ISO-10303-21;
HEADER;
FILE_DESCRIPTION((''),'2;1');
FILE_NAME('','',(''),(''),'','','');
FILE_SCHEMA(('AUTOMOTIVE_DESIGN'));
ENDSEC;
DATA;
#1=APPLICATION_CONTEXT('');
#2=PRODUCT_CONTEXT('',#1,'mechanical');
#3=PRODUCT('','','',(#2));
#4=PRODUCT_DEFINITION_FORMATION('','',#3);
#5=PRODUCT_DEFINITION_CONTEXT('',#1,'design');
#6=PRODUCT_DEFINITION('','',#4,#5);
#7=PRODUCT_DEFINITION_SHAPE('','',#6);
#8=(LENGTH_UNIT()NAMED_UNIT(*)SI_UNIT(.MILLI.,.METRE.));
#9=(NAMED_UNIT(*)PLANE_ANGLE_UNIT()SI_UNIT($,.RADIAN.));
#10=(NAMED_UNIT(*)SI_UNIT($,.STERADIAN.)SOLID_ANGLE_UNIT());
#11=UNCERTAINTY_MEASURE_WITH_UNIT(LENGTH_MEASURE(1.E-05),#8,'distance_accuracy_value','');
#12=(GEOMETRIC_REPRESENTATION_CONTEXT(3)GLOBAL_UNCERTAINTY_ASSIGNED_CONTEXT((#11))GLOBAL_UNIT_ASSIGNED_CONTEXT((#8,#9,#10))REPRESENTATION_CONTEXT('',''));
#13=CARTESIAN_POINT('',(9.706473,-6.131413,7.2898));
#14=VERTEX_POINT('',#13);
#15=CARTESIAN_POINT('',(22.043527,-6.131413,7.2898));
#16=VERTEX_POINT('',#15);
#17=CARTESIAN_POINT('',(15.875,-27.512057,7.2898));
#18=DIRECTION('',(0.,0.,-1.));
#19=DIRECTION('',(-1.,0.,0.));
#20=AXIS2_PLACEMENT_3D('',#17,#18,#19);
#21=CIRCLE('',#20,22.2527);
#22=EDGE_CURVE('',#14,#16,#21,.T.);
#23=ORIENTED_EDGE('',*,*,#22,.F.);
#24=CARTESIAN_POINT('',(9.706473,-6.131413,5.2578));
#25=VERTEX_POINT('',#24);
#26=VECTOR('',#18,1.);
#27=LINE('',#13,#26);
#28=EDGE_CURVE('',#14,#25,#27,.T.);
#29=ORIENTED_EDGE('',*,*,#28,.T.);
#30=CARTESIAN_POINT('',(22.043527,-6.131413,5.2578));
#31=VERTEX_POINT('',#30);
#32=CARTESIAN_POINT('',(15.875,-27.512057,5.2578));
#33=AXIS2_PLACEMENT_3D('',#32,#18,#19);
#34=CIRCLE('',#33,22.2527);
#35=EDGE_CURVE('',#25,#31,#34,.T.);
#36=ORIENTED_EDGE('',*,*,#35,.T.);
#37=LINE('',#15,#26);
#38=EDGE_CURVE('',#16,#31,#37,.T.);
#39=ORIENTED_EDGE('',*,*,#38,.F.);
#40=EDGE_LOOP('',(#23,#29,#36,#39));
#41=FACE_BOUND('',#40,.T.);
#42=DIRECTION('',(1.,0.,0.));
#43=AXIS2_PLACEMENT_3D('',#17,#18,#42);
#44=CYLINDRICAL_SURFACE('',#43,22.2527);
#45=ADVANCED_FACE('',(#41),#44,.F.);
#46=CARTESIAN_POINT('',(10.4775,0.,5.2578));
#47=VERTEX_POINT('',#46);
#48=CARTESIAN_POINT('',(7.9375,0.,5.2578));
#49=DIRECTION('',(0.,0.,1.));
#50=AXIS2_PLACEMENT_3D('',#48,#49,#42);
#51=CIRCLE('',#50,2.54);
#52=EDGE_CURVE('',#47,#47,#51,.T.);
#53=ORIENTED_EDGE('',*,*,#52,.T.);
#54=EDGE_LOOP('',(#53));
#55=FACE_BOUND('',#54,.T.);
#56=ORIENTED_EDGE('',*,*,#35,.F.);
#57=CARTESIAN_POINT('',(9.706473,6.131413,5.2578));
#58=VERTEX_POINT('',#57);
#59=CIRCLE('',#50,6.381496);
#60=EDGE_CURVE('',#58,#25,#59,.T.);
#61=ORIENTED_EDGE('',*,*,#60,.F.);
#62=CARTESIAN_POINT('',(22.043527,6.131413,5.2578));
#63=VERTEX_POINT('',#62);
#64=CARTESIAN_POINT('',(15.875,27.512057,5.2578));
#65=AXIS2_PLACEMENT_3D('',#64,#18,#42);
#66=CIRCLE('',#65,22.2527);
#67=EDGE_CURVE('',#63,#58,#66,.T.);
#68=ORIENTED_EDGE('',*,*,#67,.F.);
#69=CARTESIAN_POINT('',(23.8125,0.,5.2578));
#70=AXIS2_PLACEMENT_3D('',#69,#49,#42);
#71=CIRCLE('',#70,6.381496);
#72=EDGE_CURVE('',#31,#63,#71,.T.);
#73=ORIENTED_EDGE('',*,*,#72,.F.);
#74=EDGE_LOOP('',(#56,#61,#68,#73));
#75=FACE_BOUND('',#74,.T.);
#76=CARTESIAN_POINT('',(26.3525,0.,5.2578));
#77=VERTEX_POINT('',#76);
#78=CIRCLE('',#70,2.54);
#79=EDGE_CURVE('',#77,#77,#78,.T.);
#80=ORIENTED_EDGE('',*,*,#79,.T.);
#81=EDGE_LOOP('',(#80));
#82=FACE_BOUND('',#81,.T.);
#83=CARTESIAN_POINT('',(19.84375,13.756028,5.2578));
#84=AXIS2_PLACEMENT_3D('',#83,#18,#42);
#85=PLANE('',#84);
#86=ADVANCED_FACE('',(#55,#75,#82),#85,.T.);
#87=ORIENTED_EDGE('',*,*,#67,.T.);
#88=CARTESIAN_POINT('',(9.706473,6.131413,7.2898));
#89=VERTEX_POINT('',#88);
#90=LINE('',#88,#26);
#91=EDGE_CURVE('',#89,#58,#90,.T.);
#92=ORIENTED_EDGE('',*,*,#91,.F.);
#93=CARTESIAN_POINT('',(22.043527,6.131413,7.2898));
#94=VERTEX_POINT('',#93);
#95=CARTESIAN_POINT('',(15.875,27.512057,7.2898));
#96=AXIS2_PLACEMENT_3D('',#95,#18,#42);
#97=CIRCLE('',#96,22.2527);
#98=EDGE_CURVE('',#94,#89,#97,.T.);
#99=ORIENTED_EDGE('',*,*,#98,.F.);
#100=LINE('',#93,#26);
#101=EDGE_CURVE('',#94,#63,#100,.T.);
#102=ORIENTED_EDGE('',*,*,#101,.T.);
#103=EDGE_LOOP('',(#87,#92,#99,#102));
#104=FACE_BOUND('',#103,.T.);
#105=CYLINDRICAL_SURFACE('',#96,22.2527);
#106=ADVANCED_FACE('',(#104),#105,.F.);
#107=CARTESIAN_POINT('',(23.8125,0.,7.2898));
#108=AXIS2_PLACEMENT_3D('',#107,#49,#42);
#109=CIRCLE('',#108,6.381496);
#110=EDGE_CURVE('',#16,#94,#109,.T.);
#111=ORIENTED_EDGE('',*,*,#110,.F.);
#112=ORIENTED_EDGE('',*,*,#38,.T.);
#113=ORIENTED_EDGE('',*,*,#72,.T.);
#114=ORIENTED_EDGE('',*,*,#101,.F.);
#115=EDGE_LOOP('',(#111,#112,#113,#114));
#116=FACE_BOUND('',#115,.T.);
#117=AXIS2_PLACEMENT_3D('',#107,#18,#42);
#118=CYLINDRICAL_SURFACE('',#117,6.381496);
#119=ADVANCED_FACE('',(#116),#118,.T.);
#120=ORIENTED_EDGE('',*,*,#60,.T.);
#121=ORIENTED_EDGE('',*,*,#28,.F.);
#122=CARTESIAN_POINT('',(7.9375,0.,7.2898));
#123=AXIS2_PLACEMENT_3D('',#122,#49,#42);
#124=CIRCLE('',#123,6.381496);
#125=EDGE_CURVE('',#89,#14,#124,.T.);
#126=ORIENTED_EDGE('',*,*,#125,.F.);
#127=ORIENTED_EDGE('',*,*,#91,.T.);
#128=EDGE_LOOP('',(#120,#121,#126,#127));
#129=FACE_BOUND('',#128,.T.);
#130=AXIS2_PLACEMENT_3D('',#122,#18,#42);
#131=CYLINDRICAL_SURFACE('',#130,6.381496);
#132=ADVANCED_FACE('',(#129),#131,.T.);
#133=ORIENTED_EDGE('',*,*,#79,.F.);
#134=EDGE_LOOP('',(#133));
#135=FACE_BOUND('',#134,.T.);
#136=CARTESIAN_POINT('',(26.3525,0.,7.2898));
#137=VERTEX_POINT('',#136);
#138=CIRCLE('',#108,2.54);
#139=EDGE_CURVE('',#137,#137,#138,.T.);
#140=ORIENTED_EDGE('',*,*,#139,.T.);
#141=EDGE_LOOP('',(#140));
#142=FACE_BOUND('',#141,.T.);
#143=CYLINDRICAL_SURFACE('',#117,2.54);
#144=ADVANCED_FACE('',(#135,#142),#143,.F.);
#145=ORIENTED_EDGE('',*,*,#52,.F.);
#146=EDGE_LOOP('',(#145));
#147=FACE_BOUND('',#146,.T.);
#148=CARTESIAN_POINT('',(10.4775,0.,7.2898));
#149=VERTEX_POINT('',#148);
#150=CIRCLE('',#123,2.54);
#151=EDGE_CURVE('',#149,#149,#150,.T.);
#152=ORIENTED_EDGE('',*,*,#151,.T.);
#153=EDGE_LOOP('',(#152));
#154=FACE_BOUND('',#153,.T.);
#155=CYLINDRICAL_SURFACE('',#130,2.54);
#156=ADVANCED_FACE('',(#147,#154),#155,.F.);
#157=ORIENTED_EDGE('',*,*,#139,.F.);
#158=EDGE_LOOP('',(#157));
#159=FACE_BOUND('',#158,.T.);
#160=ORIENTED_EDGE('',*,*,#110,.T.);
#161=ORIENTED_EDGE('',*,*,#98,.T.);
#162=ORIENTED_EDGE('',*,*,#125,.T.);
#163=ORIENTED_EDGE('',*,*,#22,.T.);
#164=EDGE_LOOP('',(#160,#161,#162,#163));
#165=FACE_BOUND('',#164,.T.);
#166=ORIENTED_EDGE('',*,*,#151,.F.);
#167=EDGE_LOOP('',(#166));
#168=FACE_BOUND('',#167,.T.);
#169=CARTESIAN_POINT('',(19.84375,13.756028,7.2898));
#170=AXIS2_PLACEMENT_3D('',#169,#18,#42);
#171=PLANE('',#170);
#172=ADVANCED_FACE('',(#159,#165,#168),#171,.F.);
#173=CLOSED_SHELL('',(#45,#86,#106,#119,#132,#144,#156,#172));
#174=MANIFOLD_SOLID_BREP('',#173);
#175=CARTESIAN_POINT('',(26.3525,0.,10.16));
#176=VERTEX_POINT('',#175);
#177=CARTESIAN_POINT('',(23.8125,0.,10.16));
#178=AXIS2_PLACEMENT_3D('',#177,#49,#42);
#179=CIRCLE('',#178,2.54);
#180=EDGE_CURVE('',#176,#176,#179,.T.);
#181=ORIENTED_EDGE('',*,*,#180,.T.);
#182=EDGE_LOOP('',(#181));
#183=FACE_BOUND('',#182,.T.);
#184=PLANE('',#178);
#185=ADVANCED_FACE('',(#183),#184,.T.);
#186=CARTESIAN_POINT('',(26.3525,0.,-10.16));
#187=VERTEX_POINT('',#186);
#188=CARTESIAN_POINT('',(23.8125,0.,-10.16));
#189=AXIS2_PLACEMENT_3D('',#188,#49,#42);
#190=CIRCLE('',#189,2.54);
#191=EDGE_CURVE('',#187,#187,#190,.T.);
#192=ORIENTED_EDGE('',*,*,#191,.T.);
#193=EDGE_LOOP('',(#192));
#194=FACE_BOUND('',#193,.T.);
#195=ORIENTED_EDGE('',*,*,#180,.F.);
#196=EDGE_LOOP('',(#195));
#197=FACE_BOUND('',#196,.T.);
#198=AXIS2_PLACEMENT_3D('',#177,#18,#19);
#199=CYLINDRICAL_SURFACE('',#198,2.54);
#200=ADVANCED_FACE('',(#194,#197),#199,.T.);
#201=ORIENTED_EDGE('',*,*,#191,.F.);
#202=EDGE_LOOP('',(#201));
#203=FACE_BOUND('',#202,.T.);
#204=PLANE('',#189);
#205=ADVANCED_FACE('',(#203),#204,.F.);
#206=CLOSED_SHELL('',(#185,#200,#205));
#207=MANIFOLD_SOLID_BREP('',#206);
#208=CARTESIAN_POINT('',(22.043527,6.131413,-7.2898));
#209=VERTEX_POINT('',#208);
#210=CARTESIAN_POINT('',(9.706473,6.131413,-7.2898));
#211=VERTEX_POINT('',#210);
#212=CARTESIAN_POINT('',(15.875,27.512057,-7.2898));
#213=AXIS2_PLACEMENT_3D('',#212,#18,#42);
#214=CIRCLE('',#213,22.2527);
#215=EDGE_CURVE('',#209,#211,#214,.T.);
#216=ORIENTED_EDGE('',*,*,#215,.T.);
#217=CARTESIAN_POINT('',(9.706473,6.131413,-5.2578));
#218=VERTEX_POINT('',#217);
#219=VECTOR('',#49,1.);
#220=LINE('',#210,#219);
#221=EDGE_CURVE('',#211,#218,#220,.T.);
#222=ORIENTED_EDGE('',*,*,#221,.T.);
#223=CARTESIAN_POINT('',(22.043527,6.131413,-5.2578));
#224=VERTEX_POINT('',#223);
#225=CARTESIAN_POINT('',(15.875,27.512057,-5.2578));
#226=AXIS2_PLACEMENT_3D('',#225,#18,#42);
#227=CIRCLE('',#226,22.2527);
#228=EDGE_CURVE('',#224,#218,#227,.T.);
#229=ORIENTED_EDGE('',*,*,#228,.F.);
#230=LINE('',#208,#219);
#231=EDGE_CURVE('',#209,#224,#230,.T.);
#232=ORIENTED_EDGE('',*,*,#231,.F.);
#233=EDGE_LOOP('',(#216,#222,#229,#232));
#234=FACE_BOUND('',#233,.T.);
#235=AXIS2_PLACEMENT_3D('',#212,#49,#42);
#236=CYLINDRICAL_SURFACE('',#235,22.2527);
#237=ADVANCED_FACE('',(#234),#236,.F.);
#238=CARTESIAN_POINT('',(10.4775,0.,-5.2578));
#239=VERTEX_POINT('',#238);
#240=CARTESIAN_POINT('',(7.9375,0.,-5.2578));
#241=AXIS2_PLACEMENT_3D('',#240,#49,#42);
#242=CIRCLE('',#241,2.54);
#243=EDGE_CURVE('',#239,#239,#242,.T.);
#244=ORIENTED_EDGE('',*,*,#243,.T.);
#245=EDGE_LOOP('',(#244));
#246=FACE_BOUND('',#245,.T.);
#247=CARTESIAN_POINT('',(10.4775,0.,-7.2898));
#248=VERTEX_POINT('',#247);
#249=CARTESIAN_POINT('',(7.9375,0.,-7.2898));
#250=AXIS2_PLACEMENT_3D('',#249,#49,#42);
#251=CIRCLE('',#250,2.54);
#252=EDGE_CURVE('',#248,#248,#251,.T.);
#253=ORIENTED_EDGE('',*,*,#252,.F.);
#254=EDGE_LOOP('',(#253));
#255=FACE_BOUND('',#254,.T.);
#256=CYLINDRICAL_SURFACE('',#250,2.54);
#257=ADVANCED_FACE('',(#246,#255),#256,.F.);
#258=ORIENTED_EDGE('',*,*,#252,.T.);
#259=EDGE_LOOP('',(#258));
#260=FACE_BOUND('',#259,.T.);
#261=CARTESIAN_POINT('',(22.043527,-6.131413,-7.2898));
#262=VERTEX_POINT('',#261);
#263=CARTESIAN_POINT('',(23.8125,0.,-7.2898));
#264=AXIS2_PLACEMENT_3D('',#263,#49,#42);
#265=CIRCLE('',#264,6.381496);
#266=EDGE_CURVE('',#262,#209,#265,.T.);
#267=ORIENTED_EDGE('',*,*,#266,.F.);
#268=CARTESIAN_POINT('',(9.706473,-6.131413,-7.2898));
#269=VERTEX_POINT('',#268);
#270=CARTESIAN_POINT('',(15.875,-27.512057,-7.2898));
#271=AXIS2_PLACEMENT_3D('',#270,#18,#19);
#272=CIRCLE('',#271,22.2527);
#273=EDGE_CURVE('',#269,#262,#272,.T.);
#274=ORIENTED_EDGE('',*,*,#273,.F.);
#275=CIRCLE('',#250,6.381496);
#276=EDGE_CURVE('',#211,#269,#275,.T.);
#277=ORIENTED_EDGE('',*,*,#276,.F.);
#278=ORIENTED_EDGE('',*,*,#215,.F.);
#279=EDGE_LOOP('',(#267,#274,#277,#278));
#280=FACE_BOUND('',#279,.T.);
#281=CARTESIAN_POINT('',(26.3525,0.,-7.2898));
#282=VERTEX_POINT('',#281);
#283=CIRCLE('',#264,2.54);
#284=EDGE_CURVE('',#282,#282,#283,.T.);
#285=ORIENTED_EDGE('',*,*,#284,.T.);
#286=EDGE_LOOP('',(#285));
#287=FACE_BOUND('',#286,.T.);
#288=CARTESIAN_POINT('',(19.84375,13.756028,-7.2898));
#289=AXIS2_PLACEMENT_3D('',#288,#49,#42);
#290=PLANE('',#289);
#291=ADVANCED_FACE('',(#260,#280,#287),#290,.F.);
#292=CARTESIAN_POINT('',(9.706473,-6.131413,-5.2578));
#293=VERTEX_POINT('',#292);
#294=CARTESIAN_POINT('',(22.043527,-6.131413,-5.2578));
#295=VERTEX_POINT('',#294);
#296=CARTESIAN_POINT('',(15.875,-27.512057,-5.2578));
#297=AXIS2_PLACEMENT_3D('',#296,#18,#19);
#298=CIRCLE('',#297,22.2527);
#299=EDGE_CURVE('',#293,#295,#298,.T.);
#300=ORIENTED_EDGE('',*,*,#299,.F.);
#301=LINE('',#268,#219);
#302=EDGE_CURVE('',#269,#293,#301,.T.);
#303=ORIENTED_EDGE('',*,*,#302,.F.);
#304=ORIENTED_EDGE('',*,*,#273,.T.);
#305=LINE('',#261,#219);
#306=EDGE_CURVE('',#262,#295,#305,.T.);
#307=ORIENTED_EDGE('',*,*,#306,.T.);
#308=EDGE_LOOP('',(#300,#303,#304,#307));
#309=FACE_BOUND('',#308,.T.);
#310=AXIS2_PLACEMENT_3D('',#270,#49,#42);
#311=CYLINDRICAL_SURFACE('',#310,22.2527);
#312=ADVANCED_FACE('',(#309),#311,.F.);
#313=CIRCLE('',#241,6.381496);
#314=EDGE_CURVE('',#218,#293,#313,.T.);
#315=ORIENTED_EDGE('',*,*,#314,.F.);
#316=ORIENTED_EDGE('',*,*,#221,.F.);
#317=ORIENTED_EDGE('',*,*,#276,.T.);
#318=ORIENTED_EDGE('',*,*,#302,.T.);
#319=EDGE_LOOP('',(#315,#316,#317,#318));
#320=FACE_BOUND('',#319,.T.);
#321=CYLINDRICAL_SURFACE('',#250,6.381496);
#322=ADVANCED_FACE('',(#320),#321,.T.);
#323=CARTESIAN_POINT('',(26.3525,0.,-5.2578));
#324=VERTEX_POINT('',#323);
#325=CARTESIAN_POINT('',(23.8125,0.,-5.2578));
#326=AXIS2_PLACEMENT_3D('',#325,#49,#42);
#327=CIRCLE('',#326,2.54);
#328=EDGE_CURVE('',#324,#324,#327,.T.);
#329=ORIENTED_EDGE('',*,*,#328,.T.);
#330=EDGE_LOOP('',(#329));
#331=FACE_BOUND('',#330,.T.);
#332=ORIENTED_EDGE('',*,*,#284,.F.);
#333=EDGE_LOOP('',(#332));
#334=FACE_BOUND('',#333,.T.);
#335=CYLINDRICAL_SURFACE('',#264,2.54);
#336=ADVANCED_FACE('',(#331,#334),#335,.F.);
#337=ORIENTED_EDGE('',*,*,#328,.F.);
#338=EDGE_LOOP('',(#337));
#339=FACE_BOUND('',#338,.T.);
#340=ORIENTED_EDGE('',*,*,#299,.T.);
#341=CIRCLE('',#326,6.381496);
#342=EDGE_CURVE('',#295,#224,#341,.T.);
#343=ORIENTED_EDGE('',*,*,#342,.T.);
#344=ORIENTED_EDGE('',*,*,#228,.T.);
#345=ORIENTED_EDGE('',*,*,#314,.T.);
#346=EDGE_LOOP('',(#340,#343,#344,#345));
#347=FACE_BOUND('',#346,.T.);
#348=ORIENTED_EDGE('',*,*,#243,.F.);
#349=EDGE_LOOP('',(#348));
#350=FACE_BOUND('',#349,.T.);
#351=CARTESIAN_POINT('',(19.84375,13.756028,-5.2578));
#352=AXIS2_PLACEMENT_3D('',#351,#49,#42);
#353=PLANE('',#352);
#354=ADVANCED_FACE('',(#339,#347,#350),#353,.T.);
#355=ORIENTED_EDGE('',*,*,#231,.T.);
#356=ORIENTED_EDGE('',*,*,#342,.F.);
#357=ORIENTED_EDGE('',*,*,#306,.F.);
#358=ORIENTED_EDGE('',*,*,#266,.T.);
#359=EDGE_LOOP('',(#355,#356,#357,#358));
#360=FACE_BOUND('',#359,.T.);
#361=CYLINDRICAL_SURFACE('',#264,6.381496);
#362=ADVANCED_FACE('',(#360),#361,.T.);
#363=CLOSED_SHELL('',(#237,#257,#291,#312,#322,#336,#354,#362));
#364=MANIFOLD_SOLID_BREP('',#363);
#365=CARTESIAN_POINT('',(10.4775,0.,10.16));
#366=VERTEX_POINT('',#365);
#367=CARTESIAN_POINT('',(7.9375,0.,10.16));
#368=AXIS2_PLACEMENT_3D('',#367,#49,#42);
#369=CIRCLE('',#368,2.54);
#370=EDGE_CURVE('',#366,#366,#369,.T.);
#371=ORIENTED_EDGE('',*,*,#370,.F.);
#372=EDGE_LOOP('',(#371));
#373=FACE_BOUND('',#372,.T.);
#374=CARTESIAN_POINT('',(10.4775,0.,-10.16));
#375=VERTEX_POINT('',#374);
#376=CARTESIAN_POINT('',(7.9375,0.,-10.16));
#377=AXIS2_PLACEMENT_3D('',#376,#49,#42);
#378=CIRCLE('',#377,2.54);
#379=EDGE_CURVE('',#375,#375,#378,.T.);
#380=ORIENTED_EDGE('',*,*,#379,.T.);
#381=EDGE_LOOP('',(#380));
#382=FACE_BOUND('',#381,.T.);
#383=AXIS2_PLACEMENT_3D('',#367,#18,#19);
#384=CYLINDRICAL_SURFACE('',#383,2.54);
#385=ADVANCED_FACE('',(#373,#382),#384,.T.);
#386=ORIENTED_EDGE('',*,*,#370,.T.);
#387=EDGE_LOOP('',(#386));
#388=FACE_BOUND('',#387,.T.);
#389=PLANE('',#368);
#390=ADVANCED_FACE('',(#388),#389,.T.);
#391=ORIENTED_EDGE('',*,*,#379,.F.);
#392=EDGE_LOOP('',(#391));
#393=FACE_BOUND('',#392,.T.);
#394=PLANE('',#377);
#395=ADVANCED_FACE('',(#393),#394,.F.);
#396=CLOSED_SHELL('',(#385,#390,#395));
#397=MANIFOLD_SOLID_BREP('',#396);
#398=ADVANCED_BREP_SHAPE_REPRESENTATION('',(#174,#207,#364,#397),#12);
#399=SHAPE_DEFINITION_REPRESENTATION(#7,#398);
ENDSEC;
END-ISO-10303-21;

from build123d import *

# Parameters (mm, degrees)
SKETCH4_R                  = 5.08
SKETCH4_R_2                = 2.5654
BOSS_EXTRUDE1_DEPTH        = 3.175
BOSS_EXTRUDE1_2_DEPTH      = 3.175
SKETCH5_R                  = 2.54
BOSS_EXTRUDE2_DEPTH        = 2.032
LPATTERN1_COUNT            = 2
LPATTERN1_PITCH            = 15.875
SKETCH7_R                  = 2.54
BOSS_EXTRUDE3_DEPTH        = 2.032
BOSS_EXTRUDE4_DEPTH        = 10.16
BOSS_EXTRUDE4_DEPTH_BACK   = 10.16
SKETCH8_R                  = 2.54
BOSS_EXTRUDE4_2_DEPTH      = 10.16
BOSS_EXTRUDE4_2_DEPTH_BACK = 10.16


with BuildPart() as part:
    # Sketch4 → Boss-Extrude1 (new, symmetric)
    with BuildSketch(Plane.XY):
        with Locations((-7.9375, 0)):
            Circle(SKETCH4_R)
        with Locations((-7.9375, 0)):
            Circle(SKETCH4_R_2, mode=Mode.SUBTRACT)
    extrude(amount=BOSS_EXTRUDE1_DEPTH, both=True)


with BuildPart() as body_2:
    # Sketch4 → Boss-Extrude1 2 (new, symmetric)
    with BuildSketch(Plane.XY):
        with Locations((7.9375, 0)):
            Circle(SKETCH4_R)
        with Locations((7.9375, 0)):
            Circle(SKETCH4_R_2, mode=Mode.SUBTRACT)
    extrude(amount=BOSS_EXTRUDE1_2_DEPTH, both=True)


with BuildPart() as body_3:
    # Sketch5 → Boss-Extrude2 (new body)
    with BuildSketch(Plane.XY.offset(3.175)):
        with BuildLine():
            ThreePointArc((-5.986592041, 6.984347573), (-15.1892, 0), (-5.986592041, -6.984347573))
            ThreePointArc((-5.986592041, -6.984347573), (0, -6.163945), (5.986592041, -6.984347573))
            ThreePointArc((5.986592041, -6.984347573), (15.1892, 0), (5.986592041, 6.984347573))
            ThreePointArc((5.986592041, 6.984347573), (0, 6.163945), (-5.986592041, 6.984347573))
        make_face()
        with Locations((-7.9375, 0)):
            Circle(SKETCH5_R, mode=Mode.SUBTRACT)
        with Locations((7.9375, 0)):
            Circle(SKETCH5_R, mode=Mode.SUBTRACT)
    extrude(amount=BOSS_EXTRUDE2_DEPTH)


with BuildPart() as lpattern1_1:
    # LPattern1: pattern copy
    add(body_2.part.moved(Location(Vector(1, 0, 0) * (1 * LPATTERN1_PITCH))))


with BuildPart() as body_5:
    # Sketch7 → Boss-Extrude3 (new body)
    with BuildSketch(Plane.XY.offset(-5.2578)):
        with BuildLine():
            ThreePointArc((9.706473173, 6.131412978), (1.556004, 0), (9.706473173, -6.131412978))
            ThreePointArc((9.706473173, -6.131412978), (15.875, -5.259356889), (22.043526827, -6.131412978))
            ThreePointArc((22.043526827, -6.131412978), (30.193996, 0), (22.043526827, 6.131412978))
            ThreePointArc((22.043526827, 6.131412978), (15.875, 5.259356889), (9.706473173, 6.131412978))
        make_face()
        with Locations((7.9375, 0)):
            Circle(SKETCH7_R, mode=Mode.SUBTRACT)
        with Locations((23.8125, 0)):
            Circle(SKETCH7_R, mode=Mode.SUBTRACT)
    extrude(amount=-BOSS_EXTRUDE3_DEPTH)


with BuildPart() as body_6:
    # Mirror1: mirrored copy
    add(body_3.part.mirror(Plane.XY))


with BuildPart() as body_7:
    # Mirror1 2: mirrored copy
    add(body_5.part.mirror(Plane.XY))


with BuildPart() as body_8:
    # Sketch8 → Boss-Extrude4 (new, two sides: drawn at the far end of the back side and taken through both)
    with BuildSketch(Plane.XY.offset(-BOSS_EXTRUDE4_DEPTH_BACK)):
        with Locations((7.9375, 0)):
            Circle(SKETCH8_R)
    extrude(amount=BOSS_EXTRUDE4_DEPTH + BOSS_EXTRUDE4_DEPTH_BACK)


with BuildPart() as body_9:
    # Sketch8 → Boss-Extrude4 2 (new, two sides: drawn at the far end of the back side and taken through both)
    with BuildSketch(Plane.XY.offset(-BOSS_EXTRUDE4_2_DEPTH_BACK)):
        with Locations((23.8125, 0)):
            Circle(SKETCH8_R)
    extrude(amount=BOSS_EXTRUDE4_2_DEPTH + BOSS_EXTRUDE4_2_DEPTH_BACK)


solid = Compound([body_5.part, body_7.part, body_8.part, body_9.part])
